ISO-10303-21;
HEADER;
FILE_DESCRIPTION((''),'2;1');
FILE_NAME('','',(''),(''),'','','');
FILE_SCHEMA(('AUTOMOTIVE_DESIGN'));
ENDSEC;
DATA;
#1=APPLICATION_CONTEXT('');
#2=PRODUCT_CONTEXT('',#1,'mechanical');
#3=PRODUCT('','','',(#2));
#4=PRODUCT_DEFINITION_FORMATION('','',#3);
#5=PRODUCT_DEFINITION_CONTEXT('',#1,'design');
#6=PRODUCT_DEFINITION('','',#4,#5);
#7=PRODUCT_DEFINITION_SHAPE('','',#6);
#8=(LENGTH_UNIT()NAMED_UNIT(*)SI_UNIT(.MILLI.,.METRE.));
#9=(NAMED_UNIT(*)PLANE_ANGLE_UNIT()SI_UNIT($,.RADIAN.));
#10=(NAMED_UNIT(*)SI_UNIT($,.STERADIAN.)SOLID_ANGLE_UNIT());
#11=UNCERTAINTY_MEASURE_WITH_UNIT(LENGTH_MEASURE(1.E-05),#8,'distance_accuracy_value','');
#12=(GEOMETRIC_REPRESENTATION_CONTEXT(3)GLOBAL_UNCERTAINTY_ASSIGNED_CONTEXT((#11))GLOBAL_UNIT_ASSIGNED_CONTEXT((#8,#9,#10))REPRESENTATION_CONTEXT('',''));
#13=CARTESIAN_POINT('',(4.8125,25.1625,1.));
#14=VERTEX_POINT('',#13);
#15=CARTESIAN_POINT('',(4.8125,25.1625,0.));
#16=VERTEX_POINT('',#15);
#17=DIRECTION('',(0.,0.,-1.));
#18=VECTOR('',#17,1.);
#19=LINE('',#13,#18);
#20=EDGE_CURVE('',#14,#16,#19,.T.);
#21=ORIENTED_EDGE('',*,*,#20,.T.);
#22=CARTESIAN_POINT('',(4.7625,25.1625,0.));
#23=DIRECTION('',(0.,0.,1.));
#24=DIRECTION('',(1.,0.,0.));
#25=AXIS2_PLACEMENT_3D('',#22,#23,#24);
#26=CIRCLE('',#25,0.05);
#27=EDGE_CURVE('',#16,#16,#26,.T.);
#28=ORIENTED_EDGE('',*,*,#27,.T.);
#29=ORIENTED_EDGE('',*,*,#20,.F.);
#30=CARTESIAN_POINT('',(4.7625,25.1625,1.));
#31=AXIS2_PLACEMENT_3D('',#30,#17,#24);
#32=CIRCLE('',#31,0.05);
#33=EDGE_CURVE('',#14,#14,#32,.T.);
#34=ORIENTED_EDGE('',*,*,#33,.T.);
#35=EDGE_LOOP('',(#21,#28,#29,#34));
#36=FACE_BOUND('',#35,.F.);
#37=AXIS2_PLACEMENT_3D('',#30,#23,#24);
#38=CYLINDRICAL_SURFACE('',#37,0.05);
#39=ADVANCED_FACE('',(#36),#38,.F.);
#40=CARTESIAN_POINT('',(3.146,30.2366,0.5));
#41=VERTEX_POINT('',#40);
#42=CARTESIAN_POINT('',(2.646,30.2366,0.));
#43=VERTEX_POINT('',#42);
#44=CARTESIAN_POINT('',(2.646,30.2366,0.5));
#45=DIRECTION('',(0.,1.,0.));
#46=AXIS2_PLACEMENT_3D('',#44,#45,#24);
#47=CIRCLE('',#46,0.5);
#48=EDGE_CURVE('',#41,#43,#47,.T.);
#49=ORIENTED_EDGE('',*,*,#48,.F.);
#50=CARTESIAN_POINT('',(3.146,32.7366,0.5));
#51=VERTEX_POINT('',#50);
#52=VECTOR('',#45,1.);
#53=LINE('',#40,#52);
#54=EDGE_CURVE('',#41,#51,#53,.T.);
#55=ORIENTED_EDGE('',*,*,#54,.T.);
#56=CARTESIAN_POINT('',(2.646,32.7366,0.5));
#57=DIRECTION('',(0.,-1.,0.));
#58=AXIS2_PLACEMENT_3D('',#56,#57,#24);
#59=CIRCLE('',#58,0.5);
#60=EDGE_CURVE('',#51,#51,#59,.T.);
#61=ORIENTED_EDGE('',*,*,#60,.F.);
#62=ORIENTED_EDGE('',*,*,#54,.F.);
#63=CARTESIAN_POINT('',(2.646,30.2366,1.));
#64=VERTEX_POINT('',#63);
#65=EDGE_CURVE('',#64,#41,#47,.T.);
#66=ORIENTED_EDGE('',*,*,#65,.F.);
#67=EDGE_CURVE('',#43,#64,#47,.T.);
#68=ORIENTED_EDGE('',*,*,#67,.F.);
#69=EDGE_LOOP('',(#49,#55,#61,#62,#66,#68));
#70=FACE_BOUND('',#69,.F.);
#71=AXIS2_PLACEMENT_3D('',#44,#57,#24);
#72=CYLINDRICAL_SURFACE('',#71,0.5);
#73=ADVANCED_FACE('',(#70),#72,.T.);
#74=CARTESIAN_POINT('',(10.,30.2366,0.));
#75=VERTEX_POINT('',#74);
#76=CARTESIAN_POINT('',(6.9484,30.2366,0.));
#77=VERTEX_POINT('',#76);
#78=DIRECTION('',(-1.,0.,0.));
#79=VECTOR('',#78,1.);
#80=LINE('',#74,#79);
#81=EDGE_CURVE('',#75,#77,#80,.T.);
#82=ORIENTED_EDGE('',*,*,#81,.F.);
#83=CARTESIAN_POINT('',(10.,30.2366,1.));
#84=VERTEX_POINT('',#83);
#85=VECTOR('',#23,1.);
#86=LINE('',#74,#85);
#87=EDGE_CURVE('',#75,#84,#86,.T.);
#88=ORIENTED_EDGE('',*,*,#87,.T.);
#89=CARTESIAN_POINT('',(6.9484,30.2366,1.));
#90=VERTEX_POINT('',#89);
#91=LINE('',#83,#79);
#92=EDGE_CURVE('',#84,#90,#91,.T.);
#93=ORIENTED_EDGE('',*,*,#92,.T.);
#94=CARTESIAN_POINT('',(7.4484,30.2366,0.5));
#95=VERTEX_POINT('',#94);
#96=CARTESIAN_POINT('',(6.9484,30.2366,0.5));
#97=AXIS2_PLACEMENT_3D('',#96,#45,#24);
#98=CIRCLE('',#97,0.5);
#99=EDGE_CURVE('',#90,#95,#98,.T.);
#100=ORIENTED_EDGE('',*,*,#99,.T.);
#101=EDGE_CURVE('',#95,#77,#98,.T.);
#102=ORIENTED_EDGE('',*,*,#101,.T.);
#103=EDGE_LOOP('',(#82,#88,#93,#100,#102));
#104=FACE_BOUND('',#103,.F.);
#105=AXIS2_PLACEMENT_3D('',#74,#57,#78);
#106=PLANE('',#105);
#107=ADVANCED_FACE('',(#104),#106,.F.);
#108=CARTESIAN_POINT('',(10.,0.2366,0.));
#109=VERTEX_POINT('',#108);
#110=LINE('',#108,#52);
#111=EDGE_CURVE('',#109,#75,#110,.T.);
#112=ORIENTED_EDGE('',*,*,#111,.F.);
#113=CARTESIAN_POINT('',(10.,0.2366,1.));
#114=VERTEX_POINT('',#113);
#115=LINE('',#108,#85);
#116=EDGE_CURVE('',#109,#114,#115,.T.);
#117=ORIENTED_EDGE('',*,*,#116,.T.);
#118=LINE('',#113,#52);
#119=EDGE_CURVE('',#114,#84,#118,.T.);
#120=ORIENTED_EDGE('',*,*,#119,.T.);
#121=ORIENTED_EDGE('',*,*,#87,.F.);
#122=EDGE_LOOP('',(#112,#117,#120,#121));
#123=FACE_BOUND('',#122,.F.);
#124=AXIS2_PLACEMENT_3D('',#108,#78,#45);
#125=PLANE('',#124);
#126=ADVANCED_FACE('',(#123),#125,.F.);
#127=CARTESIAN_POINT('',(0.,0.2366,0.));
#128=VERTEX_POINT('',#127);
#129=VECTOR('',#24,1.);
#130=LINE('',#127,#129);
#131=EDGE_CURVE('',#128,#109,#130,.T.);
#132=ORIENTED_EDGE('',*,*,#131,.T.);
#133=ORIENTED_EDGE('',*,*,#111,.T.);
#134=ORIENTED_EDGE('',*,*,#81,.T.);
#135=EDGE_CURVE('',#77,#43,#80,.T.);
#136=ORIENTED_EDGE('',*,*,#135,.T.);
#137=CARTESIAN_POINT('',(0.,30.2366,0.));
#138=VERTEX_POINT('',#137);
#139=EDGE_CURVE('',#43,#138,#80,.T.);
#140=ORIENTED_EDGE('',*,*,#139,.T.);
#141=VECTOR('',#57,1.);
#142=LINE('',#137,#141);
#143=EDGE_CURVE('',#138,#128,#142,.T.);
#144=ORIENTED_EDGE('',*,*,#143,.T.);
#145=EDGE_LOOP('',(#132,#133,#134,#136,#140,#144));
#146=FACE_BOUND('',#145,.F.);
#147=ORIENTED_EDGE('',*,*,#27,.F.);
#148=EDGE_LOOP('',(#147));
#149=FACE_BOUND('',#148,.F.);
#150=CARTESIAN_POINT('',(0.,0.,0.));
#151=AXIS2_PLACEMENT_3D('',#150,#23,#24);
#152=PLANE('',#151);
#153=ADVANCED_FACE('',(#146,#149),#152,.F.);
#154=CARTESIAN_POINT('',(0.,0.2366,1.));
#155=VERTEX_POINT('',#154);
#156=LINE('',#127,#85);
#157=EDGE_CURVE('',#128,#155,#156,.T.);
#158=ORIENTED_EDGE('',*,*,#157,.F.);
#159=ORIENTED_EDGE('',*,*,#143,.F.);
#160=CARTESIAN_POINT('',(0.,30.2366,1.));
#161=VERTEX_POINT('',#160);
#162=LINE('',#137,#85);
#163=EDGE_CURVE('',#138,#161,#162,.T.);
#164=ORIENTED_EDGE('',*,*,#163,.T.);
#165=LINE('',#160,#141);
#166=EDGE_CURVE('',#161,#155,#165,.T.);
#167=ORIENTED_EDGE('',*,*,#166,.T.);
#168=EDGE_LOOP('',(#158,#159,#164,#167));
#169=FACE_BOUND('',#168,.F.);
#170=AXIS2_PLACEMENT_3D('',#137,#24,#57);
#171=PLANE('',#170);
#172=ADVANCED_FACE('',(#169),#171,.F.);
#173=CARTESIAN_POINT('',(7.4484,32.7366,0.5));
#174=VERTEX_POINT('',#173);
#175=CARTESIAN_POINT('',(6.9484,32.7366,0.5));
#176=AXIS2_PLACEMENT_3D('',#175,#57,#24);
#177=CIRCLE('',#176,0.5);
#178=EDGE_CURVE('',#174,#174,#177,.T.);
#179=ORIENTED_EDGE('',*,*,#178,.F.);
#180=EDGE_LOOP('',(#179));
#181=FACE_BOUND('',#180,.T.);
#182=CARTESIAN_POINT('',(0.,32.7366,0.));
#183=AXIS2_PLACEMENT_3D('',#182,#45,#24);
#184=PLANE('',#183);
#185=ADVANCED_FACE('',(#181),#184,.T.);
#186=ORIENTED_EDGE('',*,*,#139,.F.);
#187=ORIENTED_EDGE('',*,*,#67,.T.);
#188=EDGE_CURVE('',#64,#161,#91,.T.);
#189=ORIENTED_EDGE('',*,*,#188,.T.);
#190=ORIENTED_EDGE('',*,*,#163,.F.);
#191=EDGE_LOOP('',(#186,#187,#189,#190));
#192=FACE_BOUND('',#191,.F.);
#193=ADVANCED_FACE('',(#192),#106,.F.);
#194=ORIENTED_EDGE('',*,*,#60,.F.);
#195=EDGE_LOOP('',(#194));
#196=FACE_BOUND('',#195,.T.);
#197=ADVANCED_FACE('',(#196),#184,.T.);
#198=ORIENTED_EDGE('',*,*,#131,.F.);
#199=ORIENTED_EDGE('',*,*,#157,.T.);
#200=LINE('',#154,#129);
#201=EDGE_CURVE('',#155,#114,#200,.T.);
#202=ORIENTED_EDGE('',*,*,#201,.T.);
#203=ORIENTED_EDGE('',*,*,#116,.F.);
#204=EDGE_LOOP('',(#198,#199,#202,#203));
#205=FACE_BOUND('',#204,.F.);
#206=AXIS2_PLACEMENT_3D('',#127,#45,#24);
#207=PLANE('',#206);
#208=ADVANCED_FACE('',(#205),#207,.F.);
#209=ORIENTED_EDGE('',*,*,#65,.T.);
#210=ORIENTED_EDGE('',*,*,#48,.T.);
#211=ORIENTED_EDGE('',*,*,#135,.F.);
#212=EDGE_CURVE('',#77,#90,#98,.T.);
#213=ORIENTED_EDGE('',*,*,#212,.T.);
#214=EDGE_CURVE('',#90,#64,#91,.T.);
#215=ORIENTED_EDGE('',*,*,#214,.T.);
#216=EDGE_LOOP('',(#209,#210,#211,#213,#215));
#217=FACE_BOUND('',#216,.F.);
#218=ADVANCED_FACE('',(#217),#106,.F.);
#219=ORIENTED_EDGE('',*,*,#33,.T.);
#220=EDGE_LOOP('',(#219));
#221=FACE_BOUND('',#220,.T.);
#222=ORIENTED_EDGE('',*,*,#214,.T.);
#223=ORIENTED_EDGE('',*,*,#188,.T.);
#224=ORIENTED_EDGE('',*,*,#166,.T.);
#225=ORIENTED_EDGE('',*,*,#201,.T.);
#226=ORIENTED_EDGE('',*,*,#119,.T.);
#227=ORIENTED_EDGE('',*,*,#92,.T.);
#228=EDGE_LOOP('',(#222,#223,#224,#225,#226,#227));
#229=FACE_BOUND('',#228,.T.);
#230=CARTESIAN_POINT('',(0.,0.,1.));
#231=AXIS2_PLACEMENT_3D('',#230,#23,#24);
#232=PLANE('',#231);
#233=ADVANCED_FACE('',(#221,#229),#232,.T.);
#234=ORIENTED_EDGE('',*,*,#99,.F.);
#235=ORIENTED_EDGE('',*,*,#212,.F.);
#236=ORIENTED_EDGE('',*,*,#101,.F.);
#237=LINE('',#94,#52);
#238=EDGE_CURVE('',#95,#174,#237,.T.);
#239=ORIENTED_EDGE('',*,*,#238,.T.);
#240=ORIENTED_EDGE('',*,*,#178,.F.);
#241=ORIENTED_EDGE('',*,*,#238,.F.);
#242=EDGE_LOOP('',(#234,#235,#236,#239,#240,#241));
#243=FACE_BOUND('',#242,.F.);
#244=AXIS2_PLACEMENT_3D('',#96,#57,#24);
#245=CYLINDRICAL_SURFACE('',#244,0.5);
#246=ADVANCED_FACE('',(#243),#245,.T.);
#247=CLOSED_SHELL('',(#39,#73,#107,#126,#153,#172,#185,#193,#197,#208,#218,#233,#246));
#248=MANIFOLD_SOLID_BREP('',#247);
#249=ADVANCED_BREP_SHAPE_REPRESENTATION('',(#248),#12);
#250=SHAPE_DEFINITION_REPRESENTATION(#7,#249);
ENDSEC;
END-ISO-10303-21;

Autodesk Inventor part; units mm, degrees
ref_plane "YZ Plane" through (0, 0, 0) normal (1, 0, 0) x (0, 1, 0)
ref_plane "XZ Plane" through (0, 0, 0) normal (0, 1, 0) x (-1, 0, 0)
ref_plane "XY Plane" through (0, 0, 0) normal (0, 0, 1) x (1, 0, 0)
sketch "Sketch1" plane through (0, 0, 0) normal (0, 0, 1) x (1, 0, 0)
  line L0 (0, 0.2366) -> (10, 0.2366)
  line L1 (10, 0.2366) -> (10, 30.2366)
  line L2 (10, 30.2366) -> (0, 30.2366)
  line L3 (0, 30.2366) -> (0, 0.2366)
  point P0 (0, 0)
  dimension "d0" = 10
  dimension "d1" = 30
extrude "Extrusion1" add sketch "Sketch1" along normal blind 1
sketch "Sketch2" plane through (0, 30.2366, 0) normal (0, 1, 0) x (1, 0, 0)
  line L0 (0, 0) -> (0, -1) projected
  line L1 (0, -0.5) -> (10, -0.5)
  line L2 (0, 0) -> (10, 0) projected
  line L3 (2.646, -1) -> (2.646, 0.5163)
  line L4 (6.9484, -1) -> (6.9484, 0)
  circle A0 centre (2.646, -0.5) radius 0.5
  circle A1 centre (6.9484, -0.5) radius 0.5
  dimension "d4" = 1
extrude "Extrusion2" add sketch "Sketch2" along normal blind 2.5 contours A0 L1 L3 | L3 L1 A0 | L1 L3 A0 | A1 L1 L4 | L4 L1 A1 | L1 A0 L3 | L4 A1 L1 | L1 A1 L4
sketch "Sketch3" plane through (0, 0, 0) normal (0, 0, -1) x (-1, 0, 0)
  line L0 (-3.175, 1.5875) -> (-3.175, -3.4125)
  line L1 (-5, 1.5875) -> (-5, -3.4125)
  line L2 (-7.0347, 1.5875) -> (-7.0347, -3.4125)
  point P0 (0, 0)
  dimension "d7" = 5
  dimension "d8" = 5
  dimension "d9" = 5
sketch "Sketch4" plane through (0, 0, 1) normal (0, 0, 1) x (1, 0, 0)
  line L0 (4.7625, 30.1625) -> (4.7625, 25.1625)
  circle A0 centre (4.7625, 25.1625) radius 0.05
  point P0 (0, 0)
  dimension "d10" = 5
  dimension "d11" = 0.1
extrude "Extrusion3" cut sketch "Sketch4" against normal through all
properties part number "ir sensor"
